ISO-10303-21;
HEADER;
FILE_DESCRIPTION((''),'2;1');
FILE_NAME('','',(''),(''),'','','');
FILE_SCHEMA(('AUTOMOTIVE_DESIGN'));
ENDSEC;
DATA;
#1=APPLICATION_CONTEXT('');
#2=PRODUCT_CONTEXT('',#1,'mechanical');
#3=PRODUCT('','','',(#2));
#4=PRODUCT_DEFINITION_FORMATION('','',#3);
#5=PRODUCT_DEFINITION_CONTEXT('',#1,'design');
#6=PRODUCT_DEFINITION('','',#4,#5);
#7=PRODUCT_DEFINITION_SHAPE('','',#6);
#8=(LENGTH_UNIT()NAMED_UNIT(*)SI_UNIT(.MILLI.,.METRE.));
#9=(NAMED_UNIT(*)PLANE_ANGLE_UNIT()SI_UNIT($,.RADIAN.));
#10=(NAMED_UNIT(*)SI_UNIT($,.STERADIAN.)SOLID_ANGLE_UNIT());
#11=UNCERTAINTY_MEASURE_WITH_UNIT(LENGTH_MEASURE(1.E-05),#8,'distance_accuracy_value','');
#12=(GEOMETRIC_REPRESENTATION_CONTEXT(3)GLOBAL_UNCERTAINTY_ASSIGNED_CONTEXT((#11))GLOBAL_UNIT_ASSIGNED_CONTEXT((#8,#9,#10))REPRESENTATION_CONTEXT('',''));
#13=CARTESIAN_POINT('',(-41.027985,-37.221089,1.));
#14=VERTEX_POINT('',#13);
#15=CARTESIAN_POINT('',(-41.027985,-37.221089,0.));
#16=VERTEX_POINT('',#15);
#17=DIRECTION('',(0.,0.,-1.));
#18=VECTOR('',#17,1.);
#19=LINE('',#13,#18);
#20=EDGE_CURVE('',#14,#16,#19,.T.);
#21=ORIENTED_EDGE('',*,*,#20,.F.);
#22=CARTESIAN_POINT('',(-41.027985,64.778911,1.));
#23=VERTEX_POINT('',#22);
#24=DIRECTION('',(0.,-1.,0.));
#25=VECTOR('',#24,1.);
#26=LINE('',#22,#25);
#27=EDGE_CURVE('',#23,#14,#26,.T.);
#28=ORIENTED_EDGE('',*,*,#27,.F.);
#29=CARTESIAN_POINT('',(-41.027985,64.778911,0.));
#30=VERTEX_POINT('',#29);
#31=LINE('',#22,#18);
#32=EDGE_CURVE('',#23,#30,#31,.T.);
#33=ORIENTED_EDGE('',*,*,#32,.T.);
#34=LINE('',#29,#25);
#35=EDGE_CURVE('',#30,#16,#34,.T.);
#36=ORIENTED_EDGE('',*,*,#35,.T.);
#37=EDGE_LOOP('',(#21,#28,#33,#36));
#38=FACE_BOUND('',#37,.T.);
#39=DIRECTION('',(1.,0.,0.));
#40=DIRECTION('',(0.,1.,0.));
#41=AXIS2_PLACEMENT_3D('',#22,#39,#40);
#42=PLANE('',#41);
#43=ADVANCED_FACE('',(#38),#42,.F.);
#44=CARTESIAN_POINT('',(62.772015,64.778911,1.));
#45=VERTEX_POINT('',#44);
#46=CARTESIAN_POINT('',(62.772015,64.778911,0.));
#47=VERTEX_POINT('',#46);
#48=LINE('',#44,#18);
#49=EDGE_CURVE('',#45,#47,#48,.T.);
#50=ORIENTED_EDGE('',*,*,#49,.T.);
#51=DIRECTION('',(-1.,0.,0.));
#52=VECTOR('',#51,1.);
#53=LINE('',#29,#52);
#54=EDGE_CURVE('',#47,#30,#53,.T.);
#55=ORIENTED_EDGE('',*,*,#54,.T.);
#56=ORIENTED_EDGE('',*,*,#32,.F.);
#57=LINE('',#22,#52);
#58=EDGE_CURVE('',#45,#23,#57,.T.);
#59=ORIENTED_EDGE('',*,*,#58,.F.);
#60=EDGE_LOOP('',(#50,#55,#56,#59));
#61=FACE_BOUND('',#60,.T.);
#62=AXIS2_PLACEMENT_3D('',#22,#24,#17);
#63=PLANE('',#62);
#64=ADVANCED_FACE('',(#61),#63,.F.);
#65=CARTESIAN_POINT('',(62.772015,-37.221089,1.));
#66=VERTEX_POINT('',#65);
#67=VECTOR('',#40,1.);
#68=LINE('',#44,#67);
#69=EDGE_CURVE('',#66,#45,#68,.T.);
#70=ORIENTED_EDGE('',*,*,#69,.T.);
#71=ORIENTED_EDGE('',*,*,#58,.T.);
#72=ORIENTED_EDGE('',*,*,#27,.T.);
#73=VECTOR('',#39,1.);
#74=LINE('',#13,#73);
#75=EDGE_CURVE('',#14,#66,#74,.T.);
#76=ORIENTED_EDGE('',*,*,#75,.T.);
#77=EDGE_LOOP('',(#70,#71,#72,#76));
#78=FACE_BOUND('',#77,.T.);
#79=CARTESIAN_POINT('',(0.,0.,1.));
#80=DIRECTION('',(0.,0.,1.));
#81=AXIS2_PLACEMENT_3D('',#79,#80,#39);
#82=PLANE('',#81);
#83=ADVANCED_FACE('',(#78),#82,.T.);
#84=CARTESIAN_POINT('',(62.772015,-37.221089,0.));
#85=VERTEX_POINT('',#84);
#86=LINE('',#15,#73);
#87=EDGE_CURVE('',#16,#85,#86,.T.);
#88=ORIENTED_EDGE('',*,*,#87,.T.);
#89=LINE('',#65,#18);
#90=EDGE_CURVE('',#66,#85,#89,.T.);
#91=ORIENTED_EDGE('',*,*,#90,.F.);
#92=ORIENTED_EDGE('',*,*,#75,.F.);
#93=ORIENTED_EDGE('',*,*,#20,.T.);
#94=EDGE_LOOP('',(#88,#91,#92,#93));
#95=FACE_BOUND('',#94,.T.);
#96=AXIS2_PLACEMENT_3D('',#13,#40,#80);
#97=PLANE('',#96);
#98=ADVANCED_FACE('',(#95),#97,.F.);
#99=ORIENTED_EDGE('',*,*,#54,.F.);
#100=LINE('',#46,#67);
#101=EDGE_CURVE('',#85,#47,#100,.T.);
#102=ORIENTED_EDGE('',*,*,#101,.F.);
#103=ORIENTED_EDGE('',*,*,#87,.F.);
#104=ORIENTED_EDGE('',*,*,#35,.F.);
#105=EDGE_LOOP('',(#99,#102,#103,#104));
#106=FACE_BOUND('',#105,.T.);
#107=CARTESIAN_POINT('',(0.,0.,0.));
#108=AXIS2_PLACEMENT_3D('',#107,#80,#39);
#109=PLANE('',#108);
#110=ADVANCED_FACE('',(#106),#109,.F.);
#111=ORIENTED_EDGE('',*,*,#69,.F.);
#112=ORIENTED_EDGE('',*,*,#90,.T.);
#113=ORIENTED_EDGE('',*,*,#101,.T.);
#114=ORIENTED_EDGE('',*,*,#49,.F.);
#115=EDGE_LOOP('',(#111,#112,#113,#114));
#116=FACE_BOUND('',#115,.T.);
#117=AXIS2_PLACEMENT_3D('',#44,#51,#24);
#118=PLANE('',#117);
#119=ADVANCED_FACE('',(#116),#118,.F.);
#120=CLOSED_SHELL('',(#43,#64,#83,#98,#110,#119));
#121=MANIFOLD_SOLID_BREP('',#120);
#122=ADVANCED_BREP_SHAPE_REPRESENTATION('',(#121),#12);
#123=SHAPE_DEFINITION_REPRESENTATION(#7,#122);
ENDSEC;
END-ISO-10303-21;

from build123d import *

# Parameters (mm, degrees)
SKETCH_1_W      = 103.8
SKETCH_1_H      = 102
EXTRUDE_1_DEPTH = 1


with BuildPart() as part:
    # 草图1 → 凸台-拉伸1 (new body)
    with BuildSketch(Plane.XY):
        with Locations((10.872014971, 13.778910729)):
            Rectangle(SKETCH_1_W, SKETCH_1_H)
    extrude(amount=EXTRUDE_1_DEPTH)


solid = part.part
